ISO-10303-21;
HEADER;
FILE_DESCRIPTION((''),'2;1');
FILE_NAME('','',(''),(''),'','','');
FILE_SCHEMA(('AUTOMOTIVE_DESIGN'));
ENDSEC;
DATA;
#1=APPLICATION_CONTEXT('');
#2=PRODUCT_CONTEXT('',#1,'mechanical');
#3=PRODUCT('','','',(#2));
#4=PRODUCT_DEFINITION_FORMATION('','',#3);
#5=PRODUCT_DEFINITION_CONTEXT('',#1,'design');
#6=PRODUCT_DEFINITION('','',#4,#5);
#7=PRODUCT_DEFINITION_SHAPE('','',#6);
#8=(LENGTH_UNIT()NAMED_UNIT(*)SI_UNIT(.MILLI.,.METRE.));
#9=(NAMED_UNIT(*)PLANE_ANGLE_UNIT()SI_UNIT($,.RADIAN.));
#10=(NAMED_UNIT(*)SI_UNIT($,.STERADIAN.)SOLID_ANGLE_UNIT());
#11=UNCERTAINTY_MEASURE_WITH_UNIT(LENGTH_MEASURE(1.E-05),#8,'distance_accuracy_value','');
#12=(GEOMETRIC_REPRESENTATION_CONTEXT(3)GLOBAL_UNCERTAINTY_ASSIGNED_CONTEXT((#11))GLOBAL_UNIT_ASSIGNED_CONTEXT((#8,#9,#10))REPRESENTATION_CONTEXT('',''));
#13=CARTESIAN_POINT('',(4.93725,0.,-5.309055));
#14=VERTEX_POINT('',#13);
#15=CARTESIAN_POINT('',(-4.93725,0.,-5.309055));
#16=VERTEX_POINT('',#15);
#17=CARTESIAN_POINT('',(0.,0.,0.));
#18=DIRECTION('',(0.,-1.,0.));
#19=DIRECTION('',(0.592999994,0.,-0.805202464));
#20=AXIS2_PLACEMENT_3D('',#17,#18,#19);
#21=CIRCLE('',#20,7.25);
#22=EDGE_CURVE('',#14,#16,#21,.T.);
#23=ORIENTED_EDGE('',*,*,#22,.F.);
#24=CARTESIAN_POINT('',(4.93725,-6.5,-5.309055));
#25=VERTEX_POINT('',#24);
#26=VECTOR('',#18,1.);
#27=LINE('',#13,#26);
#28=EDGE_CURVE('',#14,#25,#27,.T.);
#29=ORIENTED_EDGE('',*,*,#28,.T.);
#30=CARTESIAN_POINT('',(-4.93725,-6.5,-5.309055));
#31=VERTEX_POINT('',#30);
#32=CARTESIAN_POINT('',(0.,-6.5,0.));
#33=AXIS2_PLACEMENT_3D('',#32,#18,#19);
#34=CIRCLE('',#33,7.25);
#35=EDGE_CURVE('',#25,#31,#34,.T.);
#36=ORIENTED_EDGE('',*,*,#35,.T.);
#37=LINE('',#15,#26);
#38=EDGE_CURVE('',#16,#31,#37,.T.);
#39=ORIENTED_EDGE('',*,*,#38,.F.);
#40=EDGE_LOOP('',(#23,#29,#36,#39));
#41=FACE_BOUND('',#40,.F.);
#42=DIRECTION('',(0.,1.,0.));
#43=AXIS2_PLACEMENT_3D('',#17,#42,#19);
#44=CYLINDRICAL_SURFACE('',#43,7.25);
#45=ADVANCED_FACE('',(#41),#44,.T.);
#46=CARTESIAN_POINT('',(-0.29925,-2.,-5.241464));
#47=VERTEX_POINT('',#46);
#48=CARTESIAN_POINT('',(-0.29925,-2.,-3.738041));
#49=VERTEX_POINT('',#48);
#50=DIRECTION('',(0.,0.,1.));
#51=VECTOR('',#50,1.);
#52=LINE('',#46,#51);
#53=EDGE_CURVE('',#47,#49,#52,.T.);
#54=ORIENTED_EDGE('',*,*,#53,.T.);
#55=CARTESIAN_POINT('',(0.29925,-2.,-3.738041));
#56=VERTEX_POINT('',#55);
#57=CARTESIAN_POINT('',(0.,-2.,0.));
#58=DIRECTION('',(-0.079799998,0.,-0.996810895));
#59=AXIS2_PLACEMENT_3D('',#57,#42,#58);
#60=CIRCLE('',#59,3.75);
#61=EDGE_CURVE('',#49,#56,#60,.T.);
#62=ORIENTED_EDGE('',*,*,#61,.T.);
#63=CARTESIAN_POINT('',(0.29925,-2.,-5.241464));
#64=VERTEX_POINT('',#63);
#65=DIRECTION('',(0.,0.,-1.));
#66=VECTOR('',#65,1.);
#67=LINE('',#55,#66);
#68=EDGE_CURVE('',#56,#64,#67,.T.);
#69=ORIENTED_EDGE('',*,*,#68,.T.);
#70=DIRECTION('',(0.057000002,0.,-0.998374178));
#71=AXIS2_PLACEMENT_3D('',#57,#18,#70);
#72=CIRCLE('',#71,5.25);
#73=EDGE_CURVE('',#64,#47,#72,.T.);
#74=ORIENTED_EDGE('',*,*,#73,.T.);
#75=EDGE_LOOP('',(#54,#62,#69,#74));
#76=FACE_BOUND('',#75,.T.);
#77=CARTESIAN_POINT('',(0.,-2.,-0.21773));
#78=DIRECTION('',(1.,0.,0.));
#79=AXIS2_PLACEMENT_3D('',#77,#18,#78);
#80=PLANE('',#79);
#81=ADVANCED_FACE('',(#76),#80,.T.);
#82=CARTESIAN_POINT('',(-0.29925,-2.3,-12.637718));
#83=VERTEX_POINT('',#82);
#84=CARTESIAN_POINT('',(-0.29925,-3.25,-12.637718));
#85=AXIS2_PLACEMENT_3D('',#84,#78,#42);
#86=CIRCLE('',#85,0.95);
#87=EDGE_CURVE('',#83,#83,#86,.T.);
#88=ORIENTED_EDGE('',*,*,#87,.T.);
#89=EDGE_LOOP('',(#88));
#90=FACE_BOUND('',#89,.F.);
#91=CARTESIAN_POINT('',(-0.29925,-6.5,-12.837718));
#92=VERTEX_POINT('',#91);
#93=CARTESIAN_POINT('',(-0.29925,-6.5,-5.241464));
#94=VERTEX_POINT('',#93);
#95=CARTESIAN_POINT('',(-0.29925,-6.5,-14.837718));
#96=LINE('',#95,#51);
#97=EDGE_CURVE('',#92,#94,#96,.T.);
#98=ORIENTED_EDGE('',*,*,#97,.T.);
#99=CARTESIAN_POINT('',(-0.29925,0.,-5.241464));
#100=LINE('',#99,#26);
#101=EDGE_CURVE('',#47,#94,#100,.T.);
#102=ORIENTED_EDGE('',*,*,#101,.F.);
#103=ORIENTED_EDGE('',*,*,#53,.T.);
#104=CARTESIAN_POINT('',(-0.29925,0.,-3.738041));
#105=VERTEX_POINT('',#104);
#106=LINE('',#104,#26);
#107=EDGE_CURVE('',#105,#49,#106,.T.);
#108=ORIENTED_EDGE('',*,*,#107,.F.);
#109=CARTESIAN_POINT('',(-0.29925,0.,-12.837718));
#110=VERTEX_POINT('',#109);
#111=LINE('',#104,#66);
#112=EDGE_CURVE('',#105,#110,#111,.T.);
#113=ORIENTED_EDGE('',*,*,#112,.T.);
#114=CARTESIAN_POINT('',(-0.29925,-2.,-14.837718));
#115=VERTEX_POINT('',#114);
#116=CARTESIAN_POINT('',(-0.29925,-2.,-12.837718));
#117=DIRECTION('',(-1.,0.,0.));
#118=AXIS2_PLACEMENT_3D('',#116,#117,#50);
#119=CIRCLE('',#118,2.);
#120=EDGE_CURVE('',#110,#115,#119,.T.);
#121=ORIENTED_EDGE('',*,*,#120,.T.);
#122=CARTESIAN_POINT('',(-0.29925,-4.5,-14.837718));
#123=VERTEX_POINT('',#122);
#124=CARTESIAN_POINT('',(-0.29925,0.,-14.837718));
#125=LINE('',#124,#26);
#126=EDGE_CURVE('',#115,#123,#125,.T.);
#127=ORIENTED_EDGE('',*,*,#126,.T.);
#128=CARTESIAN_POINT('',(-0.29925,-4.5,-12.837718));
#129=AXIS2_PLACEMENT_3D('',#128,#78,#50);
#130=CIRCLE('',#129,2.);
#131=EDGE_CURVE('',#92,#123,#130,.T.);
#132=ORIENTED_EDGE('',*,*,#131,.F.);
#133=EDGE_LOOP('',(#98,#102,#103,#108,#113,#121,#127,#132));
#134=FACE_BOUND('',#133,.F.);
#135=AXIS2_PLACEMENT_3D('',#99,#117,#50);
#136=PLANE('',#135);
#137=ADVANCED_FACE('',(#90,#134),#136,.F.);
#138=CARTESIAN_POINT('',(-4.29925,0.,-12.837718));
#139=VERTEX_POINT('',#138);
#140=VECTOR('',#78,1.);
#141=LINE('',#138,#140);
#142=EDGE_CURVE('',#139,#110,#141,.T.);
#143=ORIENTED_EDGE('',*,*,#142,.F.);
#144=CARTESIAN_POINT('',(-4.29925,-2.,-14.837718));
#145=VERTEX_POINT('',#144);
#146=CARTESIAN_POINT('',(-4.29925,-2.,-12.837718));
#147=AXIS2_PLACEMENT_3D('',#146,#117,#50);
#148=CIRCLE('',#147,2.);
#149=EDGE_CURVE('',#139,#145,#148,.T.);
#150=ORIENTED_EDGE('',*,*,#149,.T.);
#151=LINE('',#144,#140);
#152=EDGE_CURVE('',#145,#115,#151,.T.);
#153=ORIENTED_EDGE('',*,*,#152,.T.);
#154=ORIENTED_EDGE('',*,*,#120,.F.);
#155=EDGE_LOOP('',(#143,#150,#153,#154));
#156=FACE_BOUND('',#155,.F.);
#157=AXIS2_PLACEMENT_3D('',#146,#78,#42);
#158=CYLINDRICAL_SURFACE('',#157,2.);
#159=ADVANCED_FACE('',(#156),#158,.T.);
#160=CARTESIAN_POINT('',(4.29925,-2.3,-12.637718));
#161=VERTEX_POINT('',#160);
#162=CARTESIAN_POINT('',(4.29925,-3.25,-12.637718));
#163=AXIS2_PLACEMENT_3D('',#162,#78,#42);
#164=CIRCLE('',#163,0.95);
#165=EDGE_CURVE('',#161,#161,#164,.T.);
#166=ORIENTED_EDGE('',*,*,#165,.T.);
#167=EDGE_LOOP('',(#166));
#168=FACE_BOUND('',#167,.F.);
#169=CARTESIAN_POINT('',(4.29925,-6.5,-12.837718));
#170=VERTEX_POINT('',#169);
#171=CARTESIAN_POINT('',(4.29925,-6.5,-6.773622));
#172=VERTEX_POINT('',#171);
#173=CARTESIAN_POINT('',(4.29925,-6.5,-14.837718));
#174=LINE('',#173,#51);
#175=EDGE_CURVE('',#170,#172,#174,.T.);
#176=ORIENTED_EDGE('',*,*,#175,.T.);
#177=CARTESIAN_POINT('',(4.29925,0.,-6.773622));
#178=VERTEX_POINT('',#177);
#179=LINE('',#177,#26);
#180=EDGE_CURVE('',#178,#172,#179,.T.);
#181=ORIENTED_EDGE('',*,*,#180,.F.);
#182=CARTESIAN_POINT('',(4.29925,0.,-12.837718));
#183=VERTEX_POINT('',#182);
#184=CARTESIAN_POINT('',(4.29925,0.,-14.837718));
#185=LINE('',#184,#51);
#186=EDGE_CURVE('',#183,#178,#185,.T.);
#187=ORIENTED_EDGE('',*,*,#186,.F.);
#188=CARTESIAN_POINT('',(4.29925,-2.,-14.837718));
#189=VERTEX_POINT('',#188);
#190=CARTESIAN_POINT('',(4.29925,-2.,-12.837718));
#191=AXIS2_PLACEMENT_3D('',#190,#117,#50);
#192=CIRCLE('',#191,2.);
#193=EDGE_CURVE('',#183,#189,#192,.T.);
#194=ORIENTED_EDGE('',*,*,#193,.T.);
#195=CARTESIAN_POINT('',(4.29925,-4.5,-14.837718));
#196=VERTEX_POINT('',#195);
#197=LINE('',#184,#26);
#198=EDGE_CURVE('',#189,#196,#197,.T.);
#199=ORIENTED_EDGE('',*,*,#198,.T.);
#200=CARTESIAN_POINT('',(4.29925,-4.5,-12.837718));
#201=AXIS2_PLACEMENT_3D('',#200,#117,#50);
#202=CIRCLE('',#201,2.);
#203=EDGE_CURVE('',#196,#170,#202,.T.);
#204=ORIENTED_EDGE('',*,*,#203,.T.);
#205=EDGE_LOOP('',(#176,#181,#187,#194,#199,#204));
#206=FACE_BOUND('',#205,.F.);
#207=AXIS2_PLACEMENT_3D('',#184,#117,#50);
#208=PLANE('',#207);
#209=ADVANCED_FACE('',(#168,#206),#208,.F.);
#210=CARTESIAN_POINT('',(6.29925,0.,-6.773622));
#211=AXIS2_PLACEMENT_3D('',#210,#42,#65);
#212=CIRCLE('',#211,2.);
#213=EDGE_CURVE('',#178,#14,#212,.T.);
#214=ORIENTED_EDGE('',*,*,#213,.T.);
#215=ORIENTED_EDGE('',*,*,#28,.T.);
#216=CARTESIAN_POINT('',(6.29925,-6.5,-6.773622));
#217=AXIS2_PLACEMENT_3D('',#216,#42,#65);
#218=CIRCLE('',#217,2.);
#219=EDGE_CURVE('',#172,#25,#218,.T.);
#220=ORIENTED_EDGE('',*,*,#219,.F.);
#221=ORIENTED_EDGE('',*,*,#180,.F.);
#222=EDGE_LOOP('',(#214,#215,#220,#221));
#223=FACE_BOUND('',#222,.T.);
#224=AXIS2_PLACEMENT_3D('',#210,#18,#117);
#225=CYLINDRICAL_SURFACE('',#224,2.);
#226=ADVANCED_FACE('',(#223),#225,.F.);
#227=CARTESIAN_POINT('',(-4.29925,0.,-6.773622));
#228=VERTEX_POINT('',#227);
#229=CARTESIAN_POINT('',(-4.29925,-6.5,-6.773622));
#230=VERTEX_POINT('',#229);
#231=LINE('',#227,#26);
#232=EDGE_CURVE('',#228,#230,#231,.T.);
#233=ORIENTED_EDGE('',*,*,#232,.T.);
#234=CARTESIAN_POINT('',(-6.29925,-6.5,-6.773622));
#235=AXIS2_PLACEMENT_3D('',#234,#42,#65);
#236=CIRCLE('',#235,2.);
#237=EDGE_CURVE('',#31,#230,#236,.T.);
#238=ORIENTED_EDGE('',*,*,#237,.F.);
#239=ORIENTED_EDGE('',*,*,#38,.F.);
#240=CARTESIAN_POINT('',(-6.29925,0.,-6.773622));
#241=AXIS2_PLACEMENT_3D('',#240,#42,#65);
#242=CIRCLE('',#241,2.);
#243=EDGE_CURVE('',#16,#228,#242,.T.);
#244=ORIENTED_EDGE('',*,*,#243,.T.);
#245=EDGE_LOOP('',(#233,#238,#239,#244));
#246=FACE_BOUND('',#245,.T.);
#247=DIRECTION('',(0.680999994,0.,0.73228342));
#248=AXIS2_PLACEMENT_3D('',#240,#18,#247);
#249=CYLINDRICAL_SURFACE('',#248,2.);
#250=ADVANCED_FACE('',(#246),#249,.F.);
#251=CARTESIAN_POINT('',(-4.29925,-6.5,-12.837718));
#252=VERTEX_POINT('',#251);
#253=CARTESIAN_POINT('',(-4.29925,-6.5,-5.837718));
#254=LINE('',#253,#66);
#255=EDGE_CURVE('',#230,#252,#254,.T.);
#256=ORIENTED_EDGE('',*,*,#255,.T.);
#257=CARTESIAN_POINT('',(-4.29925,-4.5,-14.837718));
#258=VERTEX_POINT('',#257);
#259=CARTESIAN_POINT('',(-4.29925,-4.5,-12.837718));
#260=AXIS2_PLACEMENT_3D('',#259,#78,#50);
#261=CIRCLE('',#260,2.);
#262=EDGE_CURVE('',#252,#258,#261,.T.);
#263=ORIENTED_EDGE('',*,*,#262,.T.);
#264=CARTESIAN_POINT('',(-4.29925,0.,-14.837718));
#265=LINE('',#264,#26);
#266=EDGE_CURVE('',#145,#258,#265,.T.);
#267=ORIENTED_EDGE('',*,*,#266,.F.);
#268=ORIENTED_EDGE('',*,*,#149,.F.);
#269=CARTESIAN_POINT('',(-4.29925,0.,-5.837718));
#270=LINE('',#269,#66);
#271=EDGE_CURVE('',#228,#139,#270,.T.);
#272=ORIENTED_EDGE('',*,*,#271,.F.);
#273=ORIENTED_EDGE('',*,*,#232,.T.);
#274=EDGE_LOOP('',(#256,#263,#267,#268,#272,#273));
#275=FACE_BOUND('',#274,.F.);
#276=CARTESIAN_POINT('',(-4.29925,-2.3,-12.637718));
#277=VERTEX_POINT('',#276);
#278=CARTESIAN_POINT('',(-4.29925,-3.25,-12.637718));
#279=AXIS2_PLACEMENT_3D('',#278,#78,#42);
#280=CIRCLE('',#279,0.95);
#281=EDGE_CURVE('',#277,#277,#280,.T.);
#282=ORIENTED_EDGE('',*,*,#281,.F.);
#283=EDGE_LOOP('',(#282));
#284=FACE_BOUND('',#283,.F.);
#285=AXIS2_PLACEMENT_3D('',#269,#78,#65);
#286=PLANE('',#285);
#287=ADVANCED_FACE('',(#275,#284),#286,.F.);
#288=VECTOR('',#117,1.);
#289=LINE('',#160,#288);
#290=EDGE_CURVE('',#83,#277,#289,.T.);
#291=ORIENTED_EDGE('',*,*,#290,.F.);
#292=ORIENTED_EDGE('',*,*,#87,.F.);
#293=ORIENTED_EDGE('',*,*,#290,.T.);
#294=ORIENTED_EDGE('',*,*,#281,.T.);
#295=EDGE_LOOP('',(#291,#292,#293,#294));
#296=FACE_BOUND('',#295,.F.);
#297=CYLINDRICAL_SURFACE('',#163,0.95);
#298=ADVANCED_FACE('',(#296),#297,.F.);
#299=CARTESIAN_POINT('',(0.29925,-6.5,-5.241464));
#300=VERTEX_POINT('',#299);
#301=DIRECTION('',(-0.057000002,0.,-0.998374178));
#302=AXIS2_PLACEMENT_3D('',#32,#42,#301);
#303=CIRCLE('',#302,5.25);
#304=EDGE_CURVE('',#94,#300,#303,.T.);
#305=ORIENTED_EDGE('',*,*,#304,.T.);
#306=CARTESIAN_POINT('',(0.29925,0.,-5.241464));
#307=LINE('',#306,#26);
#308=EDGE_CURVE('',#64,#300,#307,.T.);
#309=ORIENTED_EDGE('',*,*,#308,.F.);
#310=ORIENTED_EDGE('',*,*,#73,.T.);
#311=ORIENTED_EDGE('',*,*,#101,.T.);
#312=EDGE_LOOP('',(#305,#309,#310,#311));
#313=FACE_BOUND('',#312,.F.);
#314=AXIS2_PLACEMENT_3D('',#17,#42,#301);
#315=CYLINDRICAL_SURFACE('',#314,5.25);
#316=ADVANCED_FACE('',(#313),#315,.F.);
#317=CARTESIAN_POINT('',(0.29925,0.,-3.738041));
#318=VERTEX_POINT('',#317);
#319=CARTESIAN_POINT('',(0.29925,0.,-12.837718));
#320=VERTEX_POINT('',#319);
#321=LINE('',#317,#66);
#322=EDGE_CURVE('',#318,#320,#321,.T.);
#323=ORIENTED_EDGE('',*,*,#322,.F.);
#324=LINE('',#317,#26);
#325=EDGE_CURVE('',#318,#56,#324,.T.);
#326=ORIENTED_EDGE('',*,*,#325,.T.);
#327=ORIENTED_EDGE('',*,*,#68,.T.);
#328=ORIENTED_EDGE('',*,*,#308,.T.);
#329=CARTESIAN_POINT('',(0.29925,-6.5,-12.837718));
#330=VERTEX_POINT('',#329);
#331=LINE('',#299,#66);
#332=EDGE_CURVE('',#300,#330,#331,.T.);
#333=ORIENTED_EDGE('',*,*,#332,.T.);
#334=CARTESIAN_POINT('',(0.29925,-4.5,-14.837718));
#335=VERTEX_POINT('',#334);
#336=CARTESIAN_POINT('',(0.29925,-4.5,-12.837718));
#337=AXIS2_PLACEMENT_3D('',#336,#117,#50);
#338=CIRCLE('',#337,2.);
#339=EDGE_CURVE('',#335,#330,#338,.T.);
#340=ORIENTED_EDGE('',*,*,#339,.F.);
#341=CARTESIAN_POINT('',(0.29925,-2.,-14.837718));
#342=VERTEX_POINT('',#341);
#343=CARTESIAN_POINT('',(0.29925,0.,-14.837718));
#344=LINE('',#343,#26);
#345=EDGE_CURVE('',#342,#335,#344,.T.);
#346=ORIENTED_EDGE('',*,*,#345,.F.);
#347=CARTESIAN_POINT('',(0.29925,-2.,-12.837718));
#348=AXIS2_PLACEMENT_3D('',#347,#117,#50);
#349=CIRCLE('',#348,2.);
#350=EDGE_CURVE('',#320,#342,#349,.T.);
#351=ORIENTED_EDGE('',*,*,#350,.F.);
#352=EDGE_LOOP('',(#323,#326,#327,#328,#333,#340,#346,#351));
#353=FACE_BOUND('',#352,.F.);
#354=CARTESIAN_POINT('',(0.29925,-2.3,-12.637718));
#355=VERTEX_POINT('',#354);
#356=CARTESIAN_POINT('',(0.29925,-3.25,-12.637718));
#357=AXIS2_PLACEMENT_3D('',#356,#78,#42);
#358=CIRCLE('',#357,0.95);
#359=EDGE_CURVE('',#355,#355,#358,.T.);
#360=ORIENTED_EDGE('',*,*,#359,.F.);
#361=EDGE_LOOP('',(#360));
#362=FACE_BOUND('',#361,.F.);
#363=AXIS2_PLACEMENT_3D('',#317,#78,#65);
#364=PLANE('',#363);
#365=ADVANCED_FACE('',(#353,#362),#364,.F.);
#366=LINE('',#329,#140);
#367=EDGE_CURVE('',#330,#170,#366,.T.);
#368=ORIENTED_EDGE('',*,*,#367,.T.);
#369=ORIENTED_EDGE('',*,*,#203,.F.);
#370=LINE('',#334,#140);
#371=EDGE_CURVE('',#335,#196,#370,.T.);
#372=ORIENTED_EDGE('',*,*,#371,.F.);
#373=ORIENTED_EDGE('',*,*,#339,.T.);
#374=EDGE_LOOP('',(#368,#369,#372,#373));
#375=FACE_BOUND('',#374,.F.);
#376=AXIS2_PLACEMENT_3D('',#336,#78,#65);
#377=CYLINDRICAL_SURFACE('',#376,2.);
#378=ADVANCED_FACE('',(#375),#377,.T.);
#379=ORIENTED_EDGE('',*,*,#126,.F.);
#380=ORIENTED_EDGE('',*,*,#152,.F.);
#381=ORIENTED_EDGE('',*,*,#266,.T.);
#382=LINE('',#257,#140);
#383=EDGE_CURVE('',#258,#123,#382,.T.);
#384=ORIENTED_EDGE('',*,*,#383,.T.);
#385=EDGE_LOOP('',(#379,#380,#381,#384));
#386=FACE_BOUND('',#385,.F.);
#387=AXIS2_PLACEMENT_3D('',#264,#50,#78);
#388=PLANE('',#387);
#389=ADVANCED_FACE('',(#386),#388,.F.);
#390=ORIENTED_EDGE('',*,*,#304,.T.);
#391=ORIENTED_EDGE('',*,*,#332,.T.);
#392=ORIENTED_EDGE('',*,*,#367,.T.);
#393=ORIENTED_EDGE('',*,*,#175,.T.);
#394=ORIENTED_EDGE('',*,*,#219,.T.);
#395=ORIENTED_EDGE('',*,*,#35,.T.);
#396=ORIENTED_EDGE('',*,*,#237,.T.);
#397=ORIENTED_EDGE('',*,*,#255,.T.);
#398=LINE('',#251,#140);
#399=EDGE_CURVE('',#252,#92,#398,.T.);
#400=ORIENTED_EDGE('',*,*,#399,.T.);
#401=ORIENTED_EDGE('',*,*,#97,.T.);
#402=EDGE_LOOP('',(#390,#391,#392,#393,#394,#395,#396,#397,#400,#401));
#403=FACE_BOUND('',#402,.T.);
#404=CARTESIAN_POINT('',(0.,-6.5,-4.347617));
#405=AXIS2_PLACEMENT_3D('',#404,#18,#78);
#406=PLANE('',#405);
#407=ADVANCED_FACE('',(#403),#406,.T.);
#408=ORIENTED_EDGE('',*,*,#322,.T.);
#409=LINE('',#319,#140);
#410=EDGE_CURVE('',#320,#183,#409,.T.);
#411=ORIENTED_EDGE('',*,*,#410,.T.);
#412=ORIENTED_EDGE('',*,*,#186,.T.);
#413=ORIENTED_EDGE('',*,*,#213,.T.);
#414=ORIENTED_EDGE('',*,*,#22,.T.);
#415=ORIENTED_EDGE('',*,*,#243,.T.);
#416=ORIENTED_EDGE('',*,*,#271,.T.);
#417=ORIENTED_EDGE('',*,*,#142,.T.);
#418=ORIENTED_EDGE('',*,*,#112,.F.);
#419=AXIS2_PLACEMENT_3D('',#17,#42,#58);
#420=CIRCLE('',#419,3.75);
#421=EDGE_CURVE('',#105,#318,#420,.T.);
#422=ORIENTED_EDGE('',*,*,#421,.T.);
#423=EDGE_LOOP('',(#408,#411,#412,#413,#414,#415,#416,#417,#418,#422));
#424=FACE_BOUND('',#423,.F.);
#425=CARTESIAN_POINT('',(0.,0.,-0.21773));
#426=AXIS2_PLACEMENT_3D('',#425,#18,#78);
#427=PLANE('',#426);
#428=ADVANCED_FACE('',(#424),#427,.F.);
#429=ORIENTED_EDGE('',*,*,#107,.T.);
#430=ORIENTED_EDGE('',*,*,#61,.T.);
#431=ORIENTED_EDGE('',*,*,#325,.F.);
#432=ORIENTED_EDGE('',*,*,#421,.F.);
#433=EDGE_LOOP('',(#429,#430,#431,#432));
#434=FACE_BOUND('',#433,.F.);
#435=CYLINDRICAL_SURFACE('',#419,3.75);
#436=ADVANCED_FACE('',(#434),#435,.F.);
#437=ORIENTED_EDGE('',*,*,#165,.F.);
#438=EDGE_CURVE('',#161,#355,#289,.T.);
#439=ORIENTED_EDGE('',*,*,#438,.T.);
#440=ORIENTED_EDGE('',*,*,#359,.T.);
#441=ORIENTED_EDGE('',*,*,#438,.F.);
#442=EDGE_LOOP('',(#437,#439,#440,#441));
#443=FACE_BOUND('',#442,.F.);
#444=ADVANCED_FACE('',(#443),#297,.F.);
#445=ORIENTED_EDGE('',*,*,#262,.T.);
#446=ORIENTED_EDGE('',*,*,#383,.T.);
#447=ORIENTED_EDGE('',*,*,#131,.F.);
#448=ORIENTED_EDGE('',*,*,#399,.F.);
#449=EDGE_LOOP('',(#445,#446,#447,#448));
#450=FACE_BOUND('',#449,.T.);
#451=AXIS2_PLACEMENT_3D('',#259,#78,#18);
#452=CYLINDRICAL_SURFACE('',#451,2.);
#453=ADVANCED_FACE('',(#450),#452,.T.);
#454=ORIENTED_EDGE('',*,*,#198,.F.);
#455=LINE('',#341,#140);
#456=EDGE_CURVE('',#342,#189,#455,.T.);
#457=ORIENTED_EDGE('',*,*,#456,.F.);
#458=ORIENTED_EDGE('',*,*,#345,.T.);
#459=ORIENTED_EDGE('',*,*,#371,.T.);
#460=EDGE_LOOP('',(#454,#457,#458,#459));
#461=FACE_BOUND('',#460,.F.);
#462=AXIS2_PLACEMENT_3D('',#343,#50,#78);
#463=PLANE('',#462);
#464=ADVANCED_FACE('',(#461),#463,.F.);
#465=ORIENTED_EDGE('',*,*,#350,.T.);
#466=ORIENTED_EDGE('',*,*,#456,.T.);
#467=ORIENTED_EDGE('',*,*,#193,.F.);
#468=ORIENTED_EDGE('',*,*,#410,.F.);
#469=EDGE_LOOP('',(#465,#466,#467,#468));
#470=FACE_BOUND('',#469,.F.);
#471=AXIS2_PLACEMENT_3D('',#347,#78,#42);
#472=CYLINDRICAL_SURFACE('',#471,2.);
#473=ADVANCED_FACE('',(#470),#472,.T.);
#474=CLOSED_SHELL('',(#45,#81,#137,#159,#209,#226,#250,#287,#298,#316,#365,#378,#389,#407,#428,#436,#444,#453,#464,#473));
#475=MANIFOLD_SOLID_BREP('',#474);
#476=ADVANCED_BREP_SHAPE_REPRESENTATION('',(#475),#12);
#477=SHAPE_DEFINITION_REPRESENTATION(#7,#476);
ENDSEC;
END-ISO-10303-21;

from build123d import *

# Parameters (mm, degrees)
F1_DEPTH = 6.5
F2_DEPTH = 2
F3_R     = 0.95
F4_DEPTH = 25
F5_R     = 2
F6_R     = 2


with BuildPart() as f1:
    # F0 (on Front) → F1 (new body)
    with BuildSketch(Plane.XZ):
        with BuildLine():
            Line((4.29925, -14.837718), (4.29925, -5.837718))
            ThreePointArc((4.29925, -5.837718), (0, 7.25), (-4.29925, -5.837718))
            Line((-4.29925, -5.837718), (-4.29925, -14.837718))
            Line((-4.29925, -14.837718), (-0.29925, -14.837718))
            Line((-0.29925, -14.837718), (-0.29925, -5.241464))
            ThreePointArc((-0.29925, -5.241464), (0, 5.25), (0.29925, -5.241464))
            Line((0.29925, -5.241464), (0.29925, -14.837718))
            Line((0.29925, -14.837718), (4.29925, -14.837718))
        make_face()
    extrude(amount=F1_DEPTH)

    # F0 (on Front) → F2 (join)
    with BuildSketch(Plane.XZ):
        with BuildLine():
            Line((0.29925, -3.738041), (0.29925, -5.241464))
            ThreePointArc((0.29925, -5.241464), (0, 5.25), (-0.29925, -5.241464))
            Line((-0.29925, -5.241464), (-0.29925, -3.738041))
            ThreePointArc((-0.29925, -3.738041), (0, 3.75), (0.29925, -3.738041))
        make_face()
    extrude(amount=F2_DEPTH)

    # F3 (on face) → F4 (cut)
    with BuildSketch(Plane.YZ.offset(4.29925)):
        with Locations((-3.25, -12.637718)):
            Circle(F3_R)
    extrude(amount=-F4_DEPTH, mode=Mode.SUBTRACT)

    # F5
    f5_edges = [f1.edges().sort_by_distance(p)[0] for p in [
        (2.29925, 0, -14.837718),
        (-2.29925, 0, -14.837718),
        (2.29925, -6.5, -14.837718),
        (-2.29925, -6.5, -14.837718),
    ]]
    fillet(f5_edges, radius=F5_R)

    # F6
    f6_edges = [f1.edges().sort_by_distance(p)[0] for p in [
        (4.29925, -3.25, -5.837718),
        (-4.29925, -3.25, -5.837718),
    ]]
    fillet(f6_edges, radius=F6_R)


solid = f1.part
